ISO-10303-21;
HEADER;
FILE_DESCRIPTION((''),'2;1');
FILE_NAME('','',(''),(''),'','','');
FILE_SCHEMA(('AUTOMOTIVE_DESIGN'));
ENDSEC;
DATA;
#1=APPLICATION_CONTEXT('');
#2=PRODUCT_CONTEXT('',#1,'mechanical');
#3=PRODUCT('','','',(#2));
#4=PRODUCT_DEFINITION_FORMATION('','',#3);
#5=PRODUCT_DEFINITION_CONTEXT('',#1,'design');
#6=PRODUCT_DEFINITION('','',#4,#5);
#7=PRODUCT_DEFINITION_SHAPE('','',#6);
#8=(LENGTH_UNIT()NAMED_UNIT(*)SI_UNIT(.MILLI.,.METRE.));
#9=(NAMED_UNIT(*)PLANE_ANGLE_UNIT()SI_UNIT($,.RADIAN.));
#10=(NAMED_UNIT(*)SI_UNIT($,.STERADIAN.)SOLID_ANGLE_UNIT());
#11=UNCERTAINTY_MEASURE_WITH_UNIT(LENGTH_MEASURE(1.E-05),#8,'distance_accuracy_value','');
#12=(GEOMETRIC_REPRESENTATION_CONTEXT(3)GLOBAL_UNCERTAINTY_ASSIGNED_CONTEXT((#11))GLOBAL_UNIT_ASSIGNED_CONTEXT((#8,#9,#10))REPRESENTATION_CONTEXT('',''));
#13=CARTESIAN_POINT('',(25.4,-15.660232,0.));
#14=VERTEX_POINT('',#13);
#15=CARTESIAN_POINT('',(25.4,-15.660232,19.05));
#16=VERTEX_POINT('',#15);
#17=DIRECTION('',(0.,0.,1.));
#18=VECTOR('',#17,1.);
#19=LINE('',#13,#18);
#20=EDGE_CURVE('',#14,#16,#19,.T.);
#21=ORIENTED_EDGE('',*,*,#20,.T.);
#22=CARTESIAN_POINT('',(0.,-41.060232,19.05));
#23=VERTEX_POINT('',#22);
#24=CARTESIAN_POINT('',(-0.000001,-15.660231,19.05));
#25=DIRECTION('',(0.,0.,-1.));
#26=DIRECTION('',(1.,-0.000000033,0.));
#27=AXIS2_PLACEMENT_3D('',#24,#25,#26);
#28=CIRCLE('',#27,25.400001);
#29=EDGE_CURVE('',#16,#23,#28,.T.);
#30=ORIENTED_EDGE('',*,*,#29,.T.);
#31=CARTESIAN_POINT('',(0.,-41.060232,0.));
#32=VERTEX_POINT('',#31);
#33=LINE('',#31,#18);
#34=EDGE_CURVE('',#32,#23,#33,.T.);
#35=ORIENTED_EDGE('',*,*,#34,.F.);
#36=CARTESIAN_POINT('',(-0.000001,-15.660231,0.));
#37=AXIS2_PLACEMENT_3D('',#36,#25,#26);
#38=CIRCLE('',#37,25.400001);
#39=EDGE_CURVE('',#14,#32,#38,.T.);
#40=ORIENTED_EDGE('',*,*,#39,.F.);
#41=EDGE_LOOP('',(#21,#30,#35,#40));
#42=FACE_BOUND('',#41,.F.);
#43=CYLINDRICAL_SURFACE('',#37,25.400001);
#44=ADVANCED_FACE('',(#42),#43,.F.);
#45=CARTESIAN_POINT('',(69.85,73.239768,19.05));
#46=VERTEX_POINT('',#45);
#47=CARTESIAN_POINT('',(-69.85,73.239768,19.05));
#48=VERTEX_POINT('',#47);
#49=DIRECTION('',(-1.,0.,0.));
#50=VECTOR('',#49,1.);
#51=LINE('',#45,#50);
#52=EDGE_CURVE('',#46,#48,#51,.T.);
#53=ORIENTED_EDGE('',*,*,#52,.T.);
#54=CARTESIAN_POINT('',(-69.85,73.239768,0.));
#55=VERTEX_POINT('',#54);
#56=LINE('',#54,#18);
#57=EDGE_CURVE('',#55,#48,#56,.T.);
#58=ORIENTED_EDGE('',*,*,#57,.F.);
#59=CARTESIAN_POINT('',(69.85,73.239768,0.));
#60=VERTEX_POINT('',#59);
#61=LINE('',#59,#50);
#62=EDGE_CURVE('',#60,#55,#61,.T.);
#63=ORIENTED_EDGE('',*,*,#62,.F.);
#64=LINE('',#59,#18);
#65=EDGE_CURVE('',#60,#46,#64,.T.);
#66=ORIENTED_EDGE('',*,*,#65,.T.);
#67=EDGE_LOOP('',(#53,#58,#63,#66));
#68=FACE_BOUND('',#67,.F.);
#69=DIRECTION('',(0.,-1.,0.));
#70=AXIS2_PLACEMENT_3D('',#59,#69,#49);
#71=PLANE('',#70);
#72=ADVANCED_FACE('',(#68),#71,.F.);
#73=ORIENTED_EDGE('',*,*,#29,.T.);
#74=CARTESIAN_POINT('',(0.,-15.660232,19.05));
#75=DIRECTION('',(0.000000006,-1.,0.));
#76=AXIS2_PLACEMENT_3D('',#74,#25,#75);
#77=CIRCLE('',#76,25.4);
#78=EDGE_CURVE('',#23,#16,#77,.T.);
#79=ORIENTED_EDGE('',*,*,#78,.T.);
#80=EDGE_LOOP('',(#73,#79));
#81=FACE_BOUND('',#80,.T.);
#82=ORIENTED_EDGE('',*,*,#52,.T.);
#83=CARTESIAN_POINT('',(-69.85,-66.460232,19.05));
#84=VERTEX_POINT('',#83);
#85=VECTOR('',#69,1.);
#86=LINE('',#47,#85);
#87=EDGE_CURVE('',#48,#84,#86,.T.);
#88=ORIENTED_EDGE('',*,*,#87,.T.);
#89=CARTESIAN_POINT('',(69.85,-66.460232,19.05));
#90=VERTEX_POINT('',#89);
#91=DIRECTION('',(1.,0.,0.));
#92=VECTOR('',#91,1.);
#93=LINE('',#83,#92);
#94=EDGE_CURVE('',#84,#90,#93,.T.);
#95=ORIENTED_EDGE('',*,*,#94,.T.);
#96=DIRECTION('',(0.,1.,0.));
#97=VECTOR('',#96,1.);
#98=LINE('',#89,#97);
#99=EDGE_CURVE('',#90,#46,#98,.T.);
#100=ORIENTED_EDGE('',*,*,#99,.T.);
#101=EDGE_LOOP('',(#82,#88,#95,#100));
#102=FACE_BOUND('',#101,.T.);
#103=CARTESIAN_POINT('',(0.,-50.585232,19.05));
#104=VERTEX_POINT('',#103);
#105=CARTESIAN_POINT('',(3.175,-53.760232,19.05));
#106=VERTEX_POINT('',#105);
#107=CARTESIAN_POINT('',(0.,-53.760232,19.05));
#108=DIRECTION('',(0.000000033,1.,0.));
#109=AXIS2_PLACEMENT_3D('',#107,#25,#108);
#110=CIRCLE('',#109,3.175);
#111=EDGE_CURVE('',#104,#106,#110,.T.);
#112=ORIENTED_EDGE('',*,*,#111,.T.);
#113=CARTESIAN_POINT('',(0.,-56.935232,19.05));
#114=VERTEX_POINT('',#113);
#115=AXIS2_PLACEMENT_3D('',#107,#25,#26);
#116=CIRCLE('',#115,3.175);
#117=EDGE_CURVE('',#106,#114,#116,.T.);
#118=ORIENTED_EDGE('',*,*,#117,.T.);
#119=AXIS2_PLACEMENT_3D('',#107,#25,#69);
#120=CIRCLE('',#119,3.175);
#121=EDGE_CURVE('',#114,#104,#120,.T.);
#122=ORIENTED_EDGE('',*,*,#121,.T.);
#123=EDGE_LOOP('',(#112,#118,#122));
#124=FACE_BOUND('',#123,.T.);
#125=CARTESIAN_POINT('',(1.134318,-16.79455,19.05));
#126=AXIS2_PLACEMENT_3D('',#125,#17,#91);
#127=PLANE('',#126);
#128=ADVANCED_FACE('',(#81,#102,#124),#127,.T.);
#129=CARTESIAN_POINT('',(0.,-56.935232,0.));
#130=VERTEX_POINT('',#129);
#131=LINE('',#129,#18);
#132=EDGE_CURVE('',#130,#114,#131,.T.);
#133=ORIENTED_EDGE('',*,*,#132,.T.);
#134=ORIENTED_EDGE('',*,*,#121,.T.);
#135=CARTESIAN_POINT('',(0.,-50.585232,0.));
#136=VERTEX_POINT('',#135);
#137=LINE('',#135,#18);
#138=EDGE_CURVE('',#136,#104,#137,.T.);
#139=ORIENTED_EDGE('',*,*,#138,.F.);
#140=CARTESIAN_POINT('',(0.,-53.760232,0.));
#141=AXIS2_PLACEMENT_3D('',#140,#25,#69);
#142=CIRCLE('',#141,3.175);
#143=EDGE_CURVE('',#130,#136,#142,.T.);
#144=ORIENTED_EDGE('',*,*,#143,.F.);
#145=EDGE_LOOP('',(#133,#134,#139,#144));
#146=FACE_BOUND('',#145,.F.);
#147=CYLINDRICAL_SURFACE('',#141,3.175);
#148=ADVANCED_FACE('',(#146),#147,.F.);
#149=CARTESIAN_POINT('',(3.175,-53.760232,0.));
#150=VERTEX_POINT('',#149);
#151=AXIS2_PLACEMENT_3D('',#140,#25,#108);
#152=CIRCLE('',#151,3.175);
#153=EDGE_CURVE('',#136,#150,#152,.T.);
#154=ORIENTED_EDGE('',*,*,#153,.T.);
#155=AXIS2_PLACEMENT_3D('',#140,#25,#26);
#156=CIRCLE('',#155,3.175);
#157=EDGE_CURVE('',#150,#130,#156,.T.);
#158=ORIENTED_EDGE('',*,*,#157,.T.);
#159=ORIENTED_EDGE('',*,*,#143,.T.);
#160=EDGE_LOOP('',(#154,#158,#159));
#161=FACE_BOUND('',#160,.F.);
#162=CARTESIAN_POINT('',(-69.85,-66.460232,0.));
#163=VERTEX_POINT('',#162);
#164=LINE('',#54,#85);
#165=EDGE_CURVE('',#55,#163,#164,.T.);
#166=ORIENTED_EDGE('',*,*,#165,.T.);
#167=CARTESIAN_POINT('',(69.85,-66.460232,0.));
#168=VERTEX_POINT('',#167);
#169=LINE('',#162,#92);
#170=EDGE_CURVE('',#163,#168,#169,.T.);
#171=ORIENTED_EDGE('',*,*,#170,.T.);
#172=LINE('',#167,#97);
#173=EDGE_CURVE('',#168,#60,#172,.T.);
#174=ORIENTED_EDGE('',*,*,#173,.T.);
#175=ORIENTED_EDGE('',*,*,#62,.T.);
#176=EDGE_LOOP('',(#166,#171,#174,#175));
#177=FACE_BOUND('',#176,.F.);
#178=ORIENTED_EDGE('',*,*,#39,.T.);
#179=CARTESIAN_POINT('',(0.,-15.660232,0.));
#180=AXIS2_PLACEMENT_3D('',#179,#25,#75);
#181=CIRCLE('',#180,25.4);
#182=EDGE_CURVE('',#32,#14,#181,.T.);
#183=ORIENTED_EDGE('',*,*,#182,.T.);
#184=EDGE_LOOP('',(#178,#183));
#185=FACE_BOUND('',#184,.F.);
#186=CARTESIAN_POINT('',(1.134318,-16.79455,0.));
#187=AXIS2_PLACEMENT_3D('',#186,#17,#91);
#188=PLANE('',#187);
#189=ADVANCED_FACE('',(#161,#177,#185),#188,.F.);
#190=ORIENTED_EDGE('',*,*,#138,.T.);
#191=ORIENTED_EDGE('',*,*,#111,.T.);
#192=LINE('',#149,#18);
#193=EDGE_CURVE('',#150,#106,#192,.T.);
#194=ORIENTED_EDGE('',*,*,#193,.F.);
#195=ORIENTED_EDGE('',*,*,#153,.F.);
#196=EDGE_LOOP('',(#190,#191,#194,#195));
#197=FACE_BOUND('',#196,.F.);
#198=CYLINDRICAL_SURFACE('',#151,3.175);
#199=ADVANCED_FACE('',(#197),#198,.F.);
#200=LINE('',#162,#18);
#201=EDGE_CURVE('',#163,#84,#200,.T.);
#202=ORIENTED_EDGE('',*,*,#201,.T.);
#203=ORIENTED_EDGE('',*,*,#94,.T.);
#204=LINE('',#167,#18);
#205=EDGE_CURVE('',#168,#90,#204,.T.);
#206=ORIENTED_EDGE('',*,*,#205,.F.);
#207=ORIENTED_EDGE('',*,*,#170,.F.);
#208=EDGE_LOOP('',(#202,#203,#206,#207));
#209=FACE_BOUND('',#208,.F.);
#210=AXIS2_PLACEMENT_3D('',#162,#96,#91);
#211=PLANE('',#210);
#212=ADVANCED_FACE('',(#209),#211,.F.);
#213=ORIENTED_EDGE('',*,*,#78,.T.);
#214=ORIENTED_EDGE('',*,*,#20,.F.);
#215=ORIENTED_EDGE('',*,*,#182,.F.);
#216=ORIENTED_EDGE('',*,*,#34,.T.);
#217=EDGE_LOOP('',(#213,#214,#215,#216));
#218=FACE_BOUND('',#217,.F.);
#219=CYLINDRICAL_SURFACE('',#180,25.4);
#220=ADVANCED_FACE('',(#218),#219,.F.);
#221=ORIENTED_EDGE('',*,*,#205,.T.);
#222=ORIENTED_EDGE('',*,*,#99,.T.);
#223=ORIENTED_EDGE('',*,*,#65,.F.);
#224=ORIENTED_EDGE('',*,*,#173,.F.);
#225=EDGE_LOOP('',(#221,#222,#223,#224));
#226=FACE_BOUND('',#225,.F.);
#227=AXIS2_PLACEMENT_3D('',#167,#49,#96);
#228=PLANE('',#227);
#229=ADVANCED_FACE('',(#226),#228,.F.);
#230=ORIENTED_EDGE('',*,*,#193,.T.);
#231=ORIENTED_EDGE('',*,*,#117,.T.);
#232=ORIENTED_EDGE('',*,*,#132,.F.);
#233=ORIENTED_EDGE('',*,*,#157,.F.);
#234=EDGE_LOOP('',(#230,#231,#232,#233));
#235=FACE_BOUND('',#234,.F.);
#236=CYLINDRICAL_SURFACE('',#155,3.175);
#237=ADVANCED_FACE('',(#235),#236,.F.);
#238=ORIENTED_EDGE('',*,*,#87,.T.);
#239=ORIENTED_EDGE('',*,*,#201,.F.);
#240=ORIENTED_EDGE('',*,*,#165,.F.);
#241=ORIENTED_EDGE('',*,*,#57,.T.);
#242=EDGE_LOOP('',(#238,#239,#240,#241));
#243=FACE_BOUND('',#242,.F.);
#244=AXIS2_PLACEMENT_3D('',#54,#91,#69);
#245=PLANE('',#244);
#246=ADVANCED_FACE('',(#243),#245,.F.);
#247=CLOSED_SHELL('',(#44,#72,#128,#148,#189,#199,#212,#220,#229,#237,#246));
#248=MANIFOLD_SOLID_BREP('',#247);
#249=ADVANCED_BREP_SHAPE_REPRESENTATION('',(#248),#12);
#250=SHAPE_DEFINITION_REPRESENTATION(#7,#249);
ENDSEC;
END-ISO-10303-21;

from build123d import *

# Parameters (mm, degrees)
F1_DEPTH = 19.05


with BuildPart() as f1:
    # F0 (on Top) → F1 (new body)
    with BuildSketch(Plane.XY):
        with BuildLine():
            ThreePointArc((25.4, -15.660232), (-17.960512, 2.300281), (0, -41.060232))
            ThreePointArc((0, -41.060232), (17.960512, -33.620744), (25.4, -15.660232))
        make_face()
        Polygon((69.85, 73.239768), (-69.85, 73.239768), (-69.85, -66.460232), (0, -66.460232), (69.85, -66.460232), align=None)
        with BuildLine():
            ThreePointArc((3.175, -53.760232), (2.245064, -56.005296), (0, -56.935232))
            ThreePointArc((0, -56.935232), (-3.175, -53.760232), (0, -50.585232))
            ThreePointArc((0, -50.585232), (2.245064, -51.515168), (3.175, -53.760232))
        make_face(mode=Mode.SUBTRACT)
        with BuildLine():
            ThreePointArc((25.4, -15.660232), (17.960512, -33.620744), (0, -41.060232))
            ThreePointArc((0, -41.060232), (-17.960512, 2.300281), (25.4, -15.660232))
        make_face(mode=Mode.SUBTRACT)
    extrude(amount=F1_DEPTH)


solid = f1.part
